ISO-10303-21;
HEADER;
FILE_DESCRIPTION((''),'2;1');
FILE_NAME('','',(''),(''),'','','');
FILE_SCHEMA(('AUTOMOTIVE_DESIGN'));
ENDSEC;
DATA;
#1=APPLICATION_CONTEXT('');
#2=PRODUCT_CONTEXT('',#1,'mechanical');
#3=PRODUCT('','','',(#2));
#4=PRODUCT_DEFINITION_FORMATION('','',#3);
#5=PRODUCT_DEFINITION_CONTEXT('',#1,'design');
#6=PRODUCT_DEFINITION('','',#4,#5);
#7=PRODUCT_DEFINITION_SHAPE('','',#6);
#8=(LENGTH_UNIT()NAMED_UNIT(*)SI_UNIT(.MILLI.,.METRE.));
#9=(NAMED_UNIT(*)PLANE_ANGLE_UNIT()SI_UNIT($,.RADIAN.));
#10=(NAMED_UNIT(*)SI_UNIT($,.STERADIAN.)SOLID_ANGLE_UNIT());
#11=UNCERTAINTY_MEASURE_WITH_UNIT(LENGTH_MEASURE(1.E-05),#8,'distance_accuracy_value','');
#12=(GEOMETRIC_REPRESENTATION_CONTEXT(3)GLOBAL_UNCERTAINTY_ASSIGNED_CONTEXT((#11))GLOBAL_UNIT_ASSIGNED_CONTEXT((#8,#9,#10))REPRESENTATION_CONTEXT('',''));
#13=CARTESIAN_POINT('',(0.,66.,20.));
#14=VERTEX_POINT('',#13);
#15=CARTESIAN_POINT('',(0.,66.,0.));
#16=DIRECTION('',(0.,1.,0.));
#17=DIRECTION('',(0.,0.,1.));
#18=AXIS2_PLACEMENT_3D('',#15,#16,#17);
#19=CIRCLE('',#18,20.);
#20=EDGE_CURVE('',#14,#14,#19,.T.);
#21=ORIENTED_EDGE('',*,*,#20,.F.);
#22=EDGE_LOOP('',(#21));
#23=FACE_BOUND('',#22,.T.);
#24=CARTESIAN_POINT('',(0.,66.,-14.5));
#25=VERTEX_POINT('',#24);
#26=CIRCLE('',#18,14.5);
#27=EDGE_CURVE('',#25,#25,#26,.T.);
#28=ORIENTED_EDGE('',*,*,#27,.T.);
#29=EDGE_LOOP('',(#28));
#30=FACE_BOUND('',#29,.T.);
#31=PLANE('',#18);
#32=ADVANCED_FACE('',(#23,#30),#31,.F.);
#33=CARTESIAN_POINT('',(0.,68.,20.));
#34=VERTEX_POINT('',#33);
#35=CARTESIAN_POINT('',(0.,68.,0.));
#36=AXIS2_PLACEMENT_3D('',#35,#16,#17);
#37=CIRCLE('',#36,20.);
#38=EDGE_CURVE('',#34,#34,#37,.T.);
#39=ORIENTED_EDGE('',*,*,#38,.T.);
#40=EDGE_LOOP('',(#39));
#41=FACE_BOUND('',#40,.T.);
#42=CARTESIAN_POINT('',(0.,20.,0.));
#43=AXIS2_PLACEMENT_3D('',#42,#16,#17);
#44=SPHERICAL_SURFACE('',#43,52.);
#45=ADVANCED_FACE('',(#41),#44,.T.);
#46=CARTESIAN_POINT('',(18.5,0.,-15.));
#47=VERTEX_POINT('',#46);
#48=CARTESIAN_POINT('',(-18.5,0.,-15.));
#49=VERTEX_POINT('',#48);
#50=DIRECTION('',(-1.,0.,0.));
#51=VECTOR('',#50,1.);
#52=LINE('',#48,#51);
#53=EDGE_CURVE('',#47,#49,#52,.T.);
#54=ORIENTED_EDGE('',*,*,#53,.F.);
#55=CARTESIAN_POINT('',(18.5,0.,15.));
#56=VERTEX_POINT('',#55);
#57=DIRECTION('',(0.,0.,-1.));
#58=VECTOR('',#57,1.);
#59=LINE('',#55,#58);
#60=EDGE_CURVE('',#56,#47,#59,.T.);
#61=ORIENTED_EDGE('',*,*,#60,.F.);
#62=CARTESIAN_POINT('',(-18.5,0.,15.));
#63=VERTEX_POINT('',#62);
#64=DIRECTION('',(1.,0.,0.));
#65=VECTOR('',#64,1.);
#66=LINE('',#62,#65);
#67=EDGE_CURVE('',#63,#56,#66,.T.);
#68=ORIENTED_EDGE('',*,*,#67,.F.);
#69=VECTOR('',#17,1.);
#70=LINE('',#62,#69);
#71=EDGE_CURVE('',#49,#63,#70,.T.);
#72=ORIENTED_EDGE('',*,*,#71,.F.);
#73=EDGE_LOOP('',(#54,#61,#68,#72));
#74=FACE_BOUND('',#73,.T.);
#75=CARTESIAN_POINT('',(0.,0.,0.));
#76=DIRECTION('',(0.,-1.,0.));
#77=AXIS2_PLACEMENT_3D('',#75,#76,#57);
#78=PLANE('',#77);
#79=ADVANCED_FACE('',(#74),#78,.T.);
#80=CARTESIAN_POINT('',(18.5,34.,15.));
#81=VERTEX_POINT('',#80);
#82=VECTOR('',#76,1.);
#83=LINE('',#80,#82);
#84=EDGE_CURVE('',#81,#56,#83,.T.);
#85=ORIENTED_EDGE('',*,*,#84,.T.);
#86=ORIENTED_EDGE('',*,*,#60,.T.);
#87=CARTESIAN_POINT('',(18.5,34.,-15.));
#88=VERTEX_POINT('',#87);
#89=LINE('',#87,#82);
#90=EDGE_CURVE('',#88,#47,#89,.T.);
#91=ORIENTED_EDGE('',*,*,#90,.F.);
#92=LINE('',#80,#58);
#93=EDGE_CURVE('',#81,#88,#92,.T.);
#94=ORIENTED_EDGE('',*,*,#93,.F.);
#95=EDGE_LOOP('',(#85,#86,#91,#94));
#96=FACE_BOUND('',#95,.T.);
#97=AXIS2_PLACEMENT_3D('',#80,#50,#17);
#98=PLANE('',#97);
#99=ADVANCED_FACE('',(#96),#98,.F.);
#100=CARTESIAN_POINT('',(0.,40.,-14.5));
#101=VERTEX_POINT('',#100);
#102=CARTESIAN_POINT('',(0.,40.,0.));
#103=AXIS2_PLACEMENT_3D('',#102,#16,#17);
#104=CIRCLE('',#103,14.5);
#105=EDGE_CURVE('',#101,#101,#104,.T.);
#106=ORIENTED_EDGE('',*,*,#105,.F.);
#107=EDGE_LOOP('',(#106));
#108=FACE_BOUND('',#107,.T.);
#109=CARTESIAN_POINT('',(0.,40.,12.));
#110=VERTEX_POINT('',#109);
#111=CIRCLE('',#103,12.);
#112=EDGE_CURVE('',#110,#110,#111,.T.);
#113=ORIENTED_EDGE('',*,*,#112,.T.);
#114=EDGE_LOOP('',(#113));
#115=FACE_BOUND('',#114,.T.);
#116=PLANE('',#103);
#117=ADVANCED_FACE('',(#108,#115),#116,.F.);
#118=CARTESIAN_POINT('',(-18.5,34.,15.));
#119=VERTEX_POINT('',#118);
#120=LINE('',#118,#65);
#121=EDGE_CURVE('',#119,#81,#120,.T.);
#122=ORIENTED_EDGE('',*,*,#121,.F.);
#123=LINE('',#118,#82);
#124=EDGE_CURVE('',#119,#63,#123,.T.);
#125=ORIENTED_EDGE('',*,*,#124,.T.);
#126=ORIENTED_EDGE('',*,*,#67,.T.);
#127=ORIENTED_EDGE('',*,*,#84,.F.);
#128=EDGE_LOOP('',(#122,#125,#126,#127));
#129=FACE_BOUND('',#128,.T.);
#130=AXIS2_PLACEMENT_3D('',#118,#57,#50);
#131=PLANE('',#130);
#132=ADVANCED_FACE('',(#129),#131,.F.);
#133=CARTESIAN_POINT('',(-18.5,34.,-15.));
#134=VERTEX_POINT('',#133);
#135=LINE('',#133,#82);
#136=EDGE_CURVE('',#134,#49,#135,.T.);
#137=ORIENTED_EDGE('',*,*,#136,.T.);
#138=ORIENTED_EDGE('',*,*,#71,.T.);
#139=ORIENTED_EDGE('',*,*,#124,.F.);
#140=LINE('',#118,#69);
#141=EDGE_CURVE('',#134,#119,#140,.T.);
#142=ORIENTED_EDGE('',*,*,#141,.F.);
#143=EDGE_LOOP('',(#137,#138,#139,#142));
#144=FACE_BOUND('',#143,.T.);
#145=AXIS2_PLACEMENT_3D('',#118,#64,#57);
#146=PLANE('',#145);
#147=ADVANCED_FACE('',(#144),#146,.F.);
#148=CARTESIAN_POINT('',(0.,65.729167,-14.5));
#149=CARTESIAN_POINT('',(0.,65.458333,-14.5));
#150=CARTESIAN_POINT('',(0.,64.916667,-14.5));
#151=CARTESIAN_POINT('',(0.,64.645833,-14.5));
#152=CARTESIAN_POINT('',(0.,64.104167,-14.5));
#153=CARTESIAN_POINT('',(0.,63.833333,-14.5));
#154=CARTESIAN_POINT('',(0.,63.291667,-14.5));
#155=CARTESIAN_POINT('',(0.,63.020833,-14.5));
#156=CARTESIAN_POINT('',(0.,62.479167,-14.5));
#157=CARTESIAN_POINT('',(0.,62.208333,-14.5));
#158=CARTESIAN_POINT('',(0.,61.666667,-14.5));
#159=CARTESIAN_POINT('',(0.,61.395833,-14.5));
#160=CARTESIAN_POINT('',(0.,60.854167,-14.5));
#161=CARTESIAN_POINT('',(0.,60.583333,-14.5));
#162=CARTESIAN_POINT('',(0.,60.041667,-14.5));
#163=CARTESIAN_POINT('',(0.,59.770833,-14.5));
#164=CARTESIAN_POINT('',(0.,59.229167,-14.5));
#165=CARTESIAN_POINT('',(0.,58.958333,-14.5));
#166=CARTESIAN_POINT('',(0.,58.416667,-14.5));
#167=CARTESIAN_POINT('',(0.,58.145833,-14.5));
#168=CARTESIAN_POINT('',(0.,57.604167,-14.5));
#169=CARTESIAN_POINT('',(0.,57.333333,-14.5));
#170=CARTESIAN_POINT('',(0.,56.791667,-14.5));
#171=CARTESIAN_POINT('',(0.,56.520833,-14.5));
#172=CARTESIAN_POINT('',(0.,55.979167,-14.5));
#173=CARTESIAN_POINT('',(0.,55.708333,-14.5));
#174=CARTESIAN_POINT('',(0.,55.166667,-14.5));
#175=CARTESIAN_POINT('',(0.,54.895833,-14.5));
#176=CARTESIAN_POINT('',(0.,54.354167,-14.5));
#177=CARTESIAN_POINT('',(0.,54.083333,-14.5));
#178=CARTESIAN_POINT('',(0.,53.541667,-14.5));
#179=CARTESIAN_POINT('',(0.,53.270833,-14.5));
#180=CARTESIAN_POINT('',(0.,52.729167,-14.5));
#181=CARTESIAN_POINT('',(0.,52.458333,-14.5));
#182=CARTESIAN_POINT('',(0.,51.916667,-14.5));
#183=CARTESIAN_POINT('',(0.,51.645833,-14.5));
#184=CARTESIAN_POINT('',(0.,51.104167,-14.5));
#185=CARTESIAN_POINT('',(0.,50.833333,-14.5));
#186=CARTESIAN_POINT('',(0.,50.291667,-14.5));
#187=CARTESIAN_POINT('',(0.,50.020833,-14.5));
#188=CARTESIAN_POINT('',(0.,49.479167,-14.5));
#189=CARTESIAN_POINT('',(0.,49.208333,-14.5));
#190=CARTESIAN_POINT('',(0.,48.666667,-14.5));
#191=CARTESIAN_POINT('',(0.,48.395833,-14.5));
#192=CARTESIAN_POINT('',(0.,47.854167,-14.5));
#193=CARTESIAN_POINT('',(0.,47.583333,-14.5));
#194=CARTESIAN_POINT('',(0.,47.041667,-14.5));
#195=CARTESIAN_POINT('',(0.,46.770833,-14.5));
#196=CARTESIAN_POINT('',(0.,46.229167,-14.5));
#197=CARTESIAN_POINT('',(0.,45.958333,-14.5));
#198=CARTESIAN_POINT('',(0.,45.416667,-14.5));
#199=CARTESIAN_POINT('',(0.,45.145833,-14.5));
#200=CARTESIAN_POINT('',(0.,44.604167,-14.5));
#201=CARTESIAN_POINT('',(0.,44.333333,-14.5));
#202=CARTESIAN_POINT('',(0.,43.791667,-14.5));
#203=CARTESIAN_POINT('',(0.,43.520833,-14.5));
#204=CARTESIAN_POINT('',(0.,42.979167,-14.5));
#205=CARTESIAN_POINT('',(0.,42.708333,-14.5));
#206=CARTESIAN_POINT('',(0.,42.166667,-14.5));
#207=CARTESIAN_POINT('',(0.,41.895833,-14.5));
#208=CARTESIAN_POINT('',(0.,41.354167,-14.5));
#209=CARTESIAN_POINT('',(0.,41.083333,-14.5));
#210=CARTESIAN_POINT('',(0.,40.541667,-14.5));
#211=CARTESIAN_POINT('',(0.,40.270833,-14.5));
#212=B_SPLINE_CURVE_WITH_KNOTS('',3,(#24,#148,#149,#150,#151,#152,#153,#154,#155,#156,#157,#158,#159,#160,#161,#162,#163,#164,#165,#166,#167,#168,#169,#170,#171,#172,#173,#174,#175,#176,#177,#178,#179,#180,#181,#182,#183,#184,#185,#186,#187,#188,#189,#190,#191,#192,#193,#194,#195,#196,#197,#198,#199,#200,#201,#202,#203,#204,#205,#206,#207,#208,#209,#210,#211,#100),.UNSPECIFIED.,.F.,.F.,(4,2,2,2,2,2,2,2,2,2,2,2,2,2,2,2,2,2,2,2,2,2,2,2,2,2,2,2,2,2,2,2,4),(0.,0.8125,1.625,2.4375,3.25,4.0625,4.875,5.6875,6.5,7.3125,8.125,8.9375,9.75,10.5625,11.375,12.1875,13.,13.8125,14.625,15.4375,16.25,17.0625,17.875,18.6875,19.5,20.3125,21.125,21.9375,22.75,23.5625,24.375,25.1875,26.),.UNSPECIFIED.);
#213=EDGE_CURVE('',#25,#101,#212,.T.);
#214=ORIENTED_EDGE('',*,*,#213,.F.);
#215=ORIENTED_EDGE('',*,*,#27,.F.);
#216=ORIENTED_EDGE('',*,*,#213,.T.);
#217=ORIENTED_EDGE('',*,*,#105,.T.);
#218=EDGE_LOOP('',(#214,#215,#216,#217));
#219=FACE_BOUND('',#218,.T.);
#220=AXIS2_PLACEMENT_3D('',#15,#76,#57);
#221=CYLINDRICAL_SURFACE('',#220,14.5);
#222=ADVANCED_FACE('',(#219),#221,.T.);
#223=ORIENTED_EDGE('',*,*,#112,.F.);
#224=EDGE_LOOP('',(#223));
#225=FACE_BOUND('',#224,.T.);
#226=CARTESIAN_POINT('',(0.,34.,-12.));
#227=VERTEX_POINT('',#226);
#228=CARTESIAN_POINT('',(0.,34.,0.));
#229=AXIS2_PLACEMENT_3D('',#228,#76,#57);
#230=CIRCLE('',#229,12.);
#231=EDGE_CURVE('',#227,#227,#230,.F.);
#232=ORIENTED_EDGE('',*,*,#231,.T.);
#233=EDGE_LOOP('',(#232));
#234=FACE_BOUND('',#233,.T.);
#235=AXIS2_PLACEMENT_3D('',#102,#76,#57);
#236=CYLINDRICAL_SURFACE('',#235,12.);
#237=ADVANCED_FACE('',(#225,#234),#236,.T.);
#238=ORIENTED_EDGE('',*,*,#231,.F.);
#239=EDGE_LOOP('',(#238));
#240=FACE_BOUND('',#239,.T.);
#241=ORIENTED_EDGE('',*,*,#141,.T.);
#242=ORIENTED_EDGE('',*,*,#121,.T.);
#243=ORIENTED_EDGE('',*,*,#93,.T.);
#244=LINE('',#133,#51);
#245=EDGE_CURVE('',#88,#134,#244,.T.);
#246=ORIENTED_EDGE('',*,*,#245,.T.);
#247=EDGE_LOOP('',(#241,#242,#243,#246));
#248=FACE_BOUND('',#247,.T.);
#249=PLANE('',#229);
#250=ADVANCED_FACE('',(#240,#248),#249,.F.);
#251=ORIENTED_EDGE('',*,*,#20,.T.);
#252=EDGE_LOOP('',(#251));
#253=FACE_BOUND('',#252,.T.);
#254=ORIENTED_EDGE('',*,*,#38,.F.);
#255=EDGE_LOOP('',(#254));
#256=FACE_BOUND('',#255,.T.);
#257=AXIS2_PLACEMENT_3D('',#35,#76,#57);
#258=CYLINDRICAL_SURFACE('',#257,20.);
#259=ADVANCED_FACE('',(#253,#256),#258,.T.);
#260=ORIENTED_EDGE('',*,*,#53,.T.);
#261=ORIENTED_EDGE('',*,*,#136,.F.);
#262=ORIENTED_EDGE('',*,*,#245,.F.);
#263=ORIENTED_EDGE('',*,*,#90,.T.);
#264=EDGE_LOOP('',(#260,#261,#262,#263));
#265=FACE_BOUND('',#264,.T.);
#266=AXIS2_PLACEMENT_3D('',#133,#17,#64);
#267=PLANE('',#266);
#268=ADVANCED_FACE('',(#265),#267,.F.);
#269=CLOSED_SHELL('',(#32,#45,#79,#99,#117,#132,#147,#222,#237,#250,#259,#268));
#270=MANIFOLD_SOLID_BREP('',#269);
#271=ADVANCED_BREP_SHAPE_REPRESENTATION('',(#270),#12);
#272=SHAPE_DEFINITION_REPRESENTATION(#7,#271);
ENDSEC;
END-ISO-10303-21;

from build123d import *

# Parameters (mm, degrees)
SKETCH_1_W         = 37
SKETCH_1_H         = 30
EXTRUDE_1_DEPTH    = 34
SKETCH_2_R         = 12
EXTRUDE_2_DEPTH    = 6
SKETCH_3_R         = 14.5
EXTRUDE_3_DEPTH    = 26
SKETCH_4_R         = 20
EXTRUDE_4_DEPTH    = 2
DOME_1_FACE_RADIUS = 20
DOME_1_HEIGHT      = 4


with BuildPart() as part:
    # 草图1 → 凸台-拉伸1 (new body)
    with BuildSketch(Plane(origin=(0, 0, 0), x_dir=(1, 0, 0), z_dir=(0, 1, 0))):
        Rectangle(SKETCH_1_W, SKETCH_1_H)
    extrude(amount=EXTRUDE_1_DEPTH)

    # 草图2 → 凸台-拉伸2 (add)
    with BuildSketch(Plane(origin=(0, 34, 0), x_dir=(1, 0, 0), z_dir=(0, 1, 0))):
        with Locations(Location((0, 0, 0), (0, 0, 90))):
            Circle(SKETCH_2_R)
    extrude(amount=EXTRUDE_2_DEPTH)

    # 草图3 → 凸台-拉伸3 (add)
    with BuildSketch(Plane(origin=(0, 40, 0), x_dir=(1, 0, 0), z_dir=(0, 1, 0))):
        with Locations(Location((0, 0, 0), (0, 0, 90))):
            Circle(SKETCH_3_R)
    extrude(amount=EXTRUDE_3_DEPTH)

    # 草图4 → 凸台-拉伸4 (add)
    with BuildSketch(Plane(origin=(0, 66, 0), x_dir=(1, 0, 0), z_dir=(0, 1, 0))):
        with Locations(Location((0, 0, 0), (0, 0, 270))):
            Circle(SKETCH_4_R)
    extrude(amount=EXTRUDE_4_DEPTH)

    # 圆顶1: a dome of height H over a round flat face of radius A is a cap of a sphere of radius (A * A + H * H) / (2 * H)
    dome_1_r = (DOME_1_FACE_RADIUS * DOME_1_FACE_RADIUS + DOME_1_HEIGHT * DOME_1_HEIGHT) / (2 * DOME_1_HEIGHT)
    dome_1_base = Plane((0, 68, 0), z_dir=(0, 1, 0))
    with Locations(dome_1_base.offset(DOME_1_HEIGHT - dome_1_r)):
        dome_1_ball = Sphere(dome_1_r, mode=Mode.PRIVATE)
    add(split(dome_1_ball, bisect_by=dome_1_base, keep=Keep.TOP, mode=Mode.PRIVATE))


solid = part.part
